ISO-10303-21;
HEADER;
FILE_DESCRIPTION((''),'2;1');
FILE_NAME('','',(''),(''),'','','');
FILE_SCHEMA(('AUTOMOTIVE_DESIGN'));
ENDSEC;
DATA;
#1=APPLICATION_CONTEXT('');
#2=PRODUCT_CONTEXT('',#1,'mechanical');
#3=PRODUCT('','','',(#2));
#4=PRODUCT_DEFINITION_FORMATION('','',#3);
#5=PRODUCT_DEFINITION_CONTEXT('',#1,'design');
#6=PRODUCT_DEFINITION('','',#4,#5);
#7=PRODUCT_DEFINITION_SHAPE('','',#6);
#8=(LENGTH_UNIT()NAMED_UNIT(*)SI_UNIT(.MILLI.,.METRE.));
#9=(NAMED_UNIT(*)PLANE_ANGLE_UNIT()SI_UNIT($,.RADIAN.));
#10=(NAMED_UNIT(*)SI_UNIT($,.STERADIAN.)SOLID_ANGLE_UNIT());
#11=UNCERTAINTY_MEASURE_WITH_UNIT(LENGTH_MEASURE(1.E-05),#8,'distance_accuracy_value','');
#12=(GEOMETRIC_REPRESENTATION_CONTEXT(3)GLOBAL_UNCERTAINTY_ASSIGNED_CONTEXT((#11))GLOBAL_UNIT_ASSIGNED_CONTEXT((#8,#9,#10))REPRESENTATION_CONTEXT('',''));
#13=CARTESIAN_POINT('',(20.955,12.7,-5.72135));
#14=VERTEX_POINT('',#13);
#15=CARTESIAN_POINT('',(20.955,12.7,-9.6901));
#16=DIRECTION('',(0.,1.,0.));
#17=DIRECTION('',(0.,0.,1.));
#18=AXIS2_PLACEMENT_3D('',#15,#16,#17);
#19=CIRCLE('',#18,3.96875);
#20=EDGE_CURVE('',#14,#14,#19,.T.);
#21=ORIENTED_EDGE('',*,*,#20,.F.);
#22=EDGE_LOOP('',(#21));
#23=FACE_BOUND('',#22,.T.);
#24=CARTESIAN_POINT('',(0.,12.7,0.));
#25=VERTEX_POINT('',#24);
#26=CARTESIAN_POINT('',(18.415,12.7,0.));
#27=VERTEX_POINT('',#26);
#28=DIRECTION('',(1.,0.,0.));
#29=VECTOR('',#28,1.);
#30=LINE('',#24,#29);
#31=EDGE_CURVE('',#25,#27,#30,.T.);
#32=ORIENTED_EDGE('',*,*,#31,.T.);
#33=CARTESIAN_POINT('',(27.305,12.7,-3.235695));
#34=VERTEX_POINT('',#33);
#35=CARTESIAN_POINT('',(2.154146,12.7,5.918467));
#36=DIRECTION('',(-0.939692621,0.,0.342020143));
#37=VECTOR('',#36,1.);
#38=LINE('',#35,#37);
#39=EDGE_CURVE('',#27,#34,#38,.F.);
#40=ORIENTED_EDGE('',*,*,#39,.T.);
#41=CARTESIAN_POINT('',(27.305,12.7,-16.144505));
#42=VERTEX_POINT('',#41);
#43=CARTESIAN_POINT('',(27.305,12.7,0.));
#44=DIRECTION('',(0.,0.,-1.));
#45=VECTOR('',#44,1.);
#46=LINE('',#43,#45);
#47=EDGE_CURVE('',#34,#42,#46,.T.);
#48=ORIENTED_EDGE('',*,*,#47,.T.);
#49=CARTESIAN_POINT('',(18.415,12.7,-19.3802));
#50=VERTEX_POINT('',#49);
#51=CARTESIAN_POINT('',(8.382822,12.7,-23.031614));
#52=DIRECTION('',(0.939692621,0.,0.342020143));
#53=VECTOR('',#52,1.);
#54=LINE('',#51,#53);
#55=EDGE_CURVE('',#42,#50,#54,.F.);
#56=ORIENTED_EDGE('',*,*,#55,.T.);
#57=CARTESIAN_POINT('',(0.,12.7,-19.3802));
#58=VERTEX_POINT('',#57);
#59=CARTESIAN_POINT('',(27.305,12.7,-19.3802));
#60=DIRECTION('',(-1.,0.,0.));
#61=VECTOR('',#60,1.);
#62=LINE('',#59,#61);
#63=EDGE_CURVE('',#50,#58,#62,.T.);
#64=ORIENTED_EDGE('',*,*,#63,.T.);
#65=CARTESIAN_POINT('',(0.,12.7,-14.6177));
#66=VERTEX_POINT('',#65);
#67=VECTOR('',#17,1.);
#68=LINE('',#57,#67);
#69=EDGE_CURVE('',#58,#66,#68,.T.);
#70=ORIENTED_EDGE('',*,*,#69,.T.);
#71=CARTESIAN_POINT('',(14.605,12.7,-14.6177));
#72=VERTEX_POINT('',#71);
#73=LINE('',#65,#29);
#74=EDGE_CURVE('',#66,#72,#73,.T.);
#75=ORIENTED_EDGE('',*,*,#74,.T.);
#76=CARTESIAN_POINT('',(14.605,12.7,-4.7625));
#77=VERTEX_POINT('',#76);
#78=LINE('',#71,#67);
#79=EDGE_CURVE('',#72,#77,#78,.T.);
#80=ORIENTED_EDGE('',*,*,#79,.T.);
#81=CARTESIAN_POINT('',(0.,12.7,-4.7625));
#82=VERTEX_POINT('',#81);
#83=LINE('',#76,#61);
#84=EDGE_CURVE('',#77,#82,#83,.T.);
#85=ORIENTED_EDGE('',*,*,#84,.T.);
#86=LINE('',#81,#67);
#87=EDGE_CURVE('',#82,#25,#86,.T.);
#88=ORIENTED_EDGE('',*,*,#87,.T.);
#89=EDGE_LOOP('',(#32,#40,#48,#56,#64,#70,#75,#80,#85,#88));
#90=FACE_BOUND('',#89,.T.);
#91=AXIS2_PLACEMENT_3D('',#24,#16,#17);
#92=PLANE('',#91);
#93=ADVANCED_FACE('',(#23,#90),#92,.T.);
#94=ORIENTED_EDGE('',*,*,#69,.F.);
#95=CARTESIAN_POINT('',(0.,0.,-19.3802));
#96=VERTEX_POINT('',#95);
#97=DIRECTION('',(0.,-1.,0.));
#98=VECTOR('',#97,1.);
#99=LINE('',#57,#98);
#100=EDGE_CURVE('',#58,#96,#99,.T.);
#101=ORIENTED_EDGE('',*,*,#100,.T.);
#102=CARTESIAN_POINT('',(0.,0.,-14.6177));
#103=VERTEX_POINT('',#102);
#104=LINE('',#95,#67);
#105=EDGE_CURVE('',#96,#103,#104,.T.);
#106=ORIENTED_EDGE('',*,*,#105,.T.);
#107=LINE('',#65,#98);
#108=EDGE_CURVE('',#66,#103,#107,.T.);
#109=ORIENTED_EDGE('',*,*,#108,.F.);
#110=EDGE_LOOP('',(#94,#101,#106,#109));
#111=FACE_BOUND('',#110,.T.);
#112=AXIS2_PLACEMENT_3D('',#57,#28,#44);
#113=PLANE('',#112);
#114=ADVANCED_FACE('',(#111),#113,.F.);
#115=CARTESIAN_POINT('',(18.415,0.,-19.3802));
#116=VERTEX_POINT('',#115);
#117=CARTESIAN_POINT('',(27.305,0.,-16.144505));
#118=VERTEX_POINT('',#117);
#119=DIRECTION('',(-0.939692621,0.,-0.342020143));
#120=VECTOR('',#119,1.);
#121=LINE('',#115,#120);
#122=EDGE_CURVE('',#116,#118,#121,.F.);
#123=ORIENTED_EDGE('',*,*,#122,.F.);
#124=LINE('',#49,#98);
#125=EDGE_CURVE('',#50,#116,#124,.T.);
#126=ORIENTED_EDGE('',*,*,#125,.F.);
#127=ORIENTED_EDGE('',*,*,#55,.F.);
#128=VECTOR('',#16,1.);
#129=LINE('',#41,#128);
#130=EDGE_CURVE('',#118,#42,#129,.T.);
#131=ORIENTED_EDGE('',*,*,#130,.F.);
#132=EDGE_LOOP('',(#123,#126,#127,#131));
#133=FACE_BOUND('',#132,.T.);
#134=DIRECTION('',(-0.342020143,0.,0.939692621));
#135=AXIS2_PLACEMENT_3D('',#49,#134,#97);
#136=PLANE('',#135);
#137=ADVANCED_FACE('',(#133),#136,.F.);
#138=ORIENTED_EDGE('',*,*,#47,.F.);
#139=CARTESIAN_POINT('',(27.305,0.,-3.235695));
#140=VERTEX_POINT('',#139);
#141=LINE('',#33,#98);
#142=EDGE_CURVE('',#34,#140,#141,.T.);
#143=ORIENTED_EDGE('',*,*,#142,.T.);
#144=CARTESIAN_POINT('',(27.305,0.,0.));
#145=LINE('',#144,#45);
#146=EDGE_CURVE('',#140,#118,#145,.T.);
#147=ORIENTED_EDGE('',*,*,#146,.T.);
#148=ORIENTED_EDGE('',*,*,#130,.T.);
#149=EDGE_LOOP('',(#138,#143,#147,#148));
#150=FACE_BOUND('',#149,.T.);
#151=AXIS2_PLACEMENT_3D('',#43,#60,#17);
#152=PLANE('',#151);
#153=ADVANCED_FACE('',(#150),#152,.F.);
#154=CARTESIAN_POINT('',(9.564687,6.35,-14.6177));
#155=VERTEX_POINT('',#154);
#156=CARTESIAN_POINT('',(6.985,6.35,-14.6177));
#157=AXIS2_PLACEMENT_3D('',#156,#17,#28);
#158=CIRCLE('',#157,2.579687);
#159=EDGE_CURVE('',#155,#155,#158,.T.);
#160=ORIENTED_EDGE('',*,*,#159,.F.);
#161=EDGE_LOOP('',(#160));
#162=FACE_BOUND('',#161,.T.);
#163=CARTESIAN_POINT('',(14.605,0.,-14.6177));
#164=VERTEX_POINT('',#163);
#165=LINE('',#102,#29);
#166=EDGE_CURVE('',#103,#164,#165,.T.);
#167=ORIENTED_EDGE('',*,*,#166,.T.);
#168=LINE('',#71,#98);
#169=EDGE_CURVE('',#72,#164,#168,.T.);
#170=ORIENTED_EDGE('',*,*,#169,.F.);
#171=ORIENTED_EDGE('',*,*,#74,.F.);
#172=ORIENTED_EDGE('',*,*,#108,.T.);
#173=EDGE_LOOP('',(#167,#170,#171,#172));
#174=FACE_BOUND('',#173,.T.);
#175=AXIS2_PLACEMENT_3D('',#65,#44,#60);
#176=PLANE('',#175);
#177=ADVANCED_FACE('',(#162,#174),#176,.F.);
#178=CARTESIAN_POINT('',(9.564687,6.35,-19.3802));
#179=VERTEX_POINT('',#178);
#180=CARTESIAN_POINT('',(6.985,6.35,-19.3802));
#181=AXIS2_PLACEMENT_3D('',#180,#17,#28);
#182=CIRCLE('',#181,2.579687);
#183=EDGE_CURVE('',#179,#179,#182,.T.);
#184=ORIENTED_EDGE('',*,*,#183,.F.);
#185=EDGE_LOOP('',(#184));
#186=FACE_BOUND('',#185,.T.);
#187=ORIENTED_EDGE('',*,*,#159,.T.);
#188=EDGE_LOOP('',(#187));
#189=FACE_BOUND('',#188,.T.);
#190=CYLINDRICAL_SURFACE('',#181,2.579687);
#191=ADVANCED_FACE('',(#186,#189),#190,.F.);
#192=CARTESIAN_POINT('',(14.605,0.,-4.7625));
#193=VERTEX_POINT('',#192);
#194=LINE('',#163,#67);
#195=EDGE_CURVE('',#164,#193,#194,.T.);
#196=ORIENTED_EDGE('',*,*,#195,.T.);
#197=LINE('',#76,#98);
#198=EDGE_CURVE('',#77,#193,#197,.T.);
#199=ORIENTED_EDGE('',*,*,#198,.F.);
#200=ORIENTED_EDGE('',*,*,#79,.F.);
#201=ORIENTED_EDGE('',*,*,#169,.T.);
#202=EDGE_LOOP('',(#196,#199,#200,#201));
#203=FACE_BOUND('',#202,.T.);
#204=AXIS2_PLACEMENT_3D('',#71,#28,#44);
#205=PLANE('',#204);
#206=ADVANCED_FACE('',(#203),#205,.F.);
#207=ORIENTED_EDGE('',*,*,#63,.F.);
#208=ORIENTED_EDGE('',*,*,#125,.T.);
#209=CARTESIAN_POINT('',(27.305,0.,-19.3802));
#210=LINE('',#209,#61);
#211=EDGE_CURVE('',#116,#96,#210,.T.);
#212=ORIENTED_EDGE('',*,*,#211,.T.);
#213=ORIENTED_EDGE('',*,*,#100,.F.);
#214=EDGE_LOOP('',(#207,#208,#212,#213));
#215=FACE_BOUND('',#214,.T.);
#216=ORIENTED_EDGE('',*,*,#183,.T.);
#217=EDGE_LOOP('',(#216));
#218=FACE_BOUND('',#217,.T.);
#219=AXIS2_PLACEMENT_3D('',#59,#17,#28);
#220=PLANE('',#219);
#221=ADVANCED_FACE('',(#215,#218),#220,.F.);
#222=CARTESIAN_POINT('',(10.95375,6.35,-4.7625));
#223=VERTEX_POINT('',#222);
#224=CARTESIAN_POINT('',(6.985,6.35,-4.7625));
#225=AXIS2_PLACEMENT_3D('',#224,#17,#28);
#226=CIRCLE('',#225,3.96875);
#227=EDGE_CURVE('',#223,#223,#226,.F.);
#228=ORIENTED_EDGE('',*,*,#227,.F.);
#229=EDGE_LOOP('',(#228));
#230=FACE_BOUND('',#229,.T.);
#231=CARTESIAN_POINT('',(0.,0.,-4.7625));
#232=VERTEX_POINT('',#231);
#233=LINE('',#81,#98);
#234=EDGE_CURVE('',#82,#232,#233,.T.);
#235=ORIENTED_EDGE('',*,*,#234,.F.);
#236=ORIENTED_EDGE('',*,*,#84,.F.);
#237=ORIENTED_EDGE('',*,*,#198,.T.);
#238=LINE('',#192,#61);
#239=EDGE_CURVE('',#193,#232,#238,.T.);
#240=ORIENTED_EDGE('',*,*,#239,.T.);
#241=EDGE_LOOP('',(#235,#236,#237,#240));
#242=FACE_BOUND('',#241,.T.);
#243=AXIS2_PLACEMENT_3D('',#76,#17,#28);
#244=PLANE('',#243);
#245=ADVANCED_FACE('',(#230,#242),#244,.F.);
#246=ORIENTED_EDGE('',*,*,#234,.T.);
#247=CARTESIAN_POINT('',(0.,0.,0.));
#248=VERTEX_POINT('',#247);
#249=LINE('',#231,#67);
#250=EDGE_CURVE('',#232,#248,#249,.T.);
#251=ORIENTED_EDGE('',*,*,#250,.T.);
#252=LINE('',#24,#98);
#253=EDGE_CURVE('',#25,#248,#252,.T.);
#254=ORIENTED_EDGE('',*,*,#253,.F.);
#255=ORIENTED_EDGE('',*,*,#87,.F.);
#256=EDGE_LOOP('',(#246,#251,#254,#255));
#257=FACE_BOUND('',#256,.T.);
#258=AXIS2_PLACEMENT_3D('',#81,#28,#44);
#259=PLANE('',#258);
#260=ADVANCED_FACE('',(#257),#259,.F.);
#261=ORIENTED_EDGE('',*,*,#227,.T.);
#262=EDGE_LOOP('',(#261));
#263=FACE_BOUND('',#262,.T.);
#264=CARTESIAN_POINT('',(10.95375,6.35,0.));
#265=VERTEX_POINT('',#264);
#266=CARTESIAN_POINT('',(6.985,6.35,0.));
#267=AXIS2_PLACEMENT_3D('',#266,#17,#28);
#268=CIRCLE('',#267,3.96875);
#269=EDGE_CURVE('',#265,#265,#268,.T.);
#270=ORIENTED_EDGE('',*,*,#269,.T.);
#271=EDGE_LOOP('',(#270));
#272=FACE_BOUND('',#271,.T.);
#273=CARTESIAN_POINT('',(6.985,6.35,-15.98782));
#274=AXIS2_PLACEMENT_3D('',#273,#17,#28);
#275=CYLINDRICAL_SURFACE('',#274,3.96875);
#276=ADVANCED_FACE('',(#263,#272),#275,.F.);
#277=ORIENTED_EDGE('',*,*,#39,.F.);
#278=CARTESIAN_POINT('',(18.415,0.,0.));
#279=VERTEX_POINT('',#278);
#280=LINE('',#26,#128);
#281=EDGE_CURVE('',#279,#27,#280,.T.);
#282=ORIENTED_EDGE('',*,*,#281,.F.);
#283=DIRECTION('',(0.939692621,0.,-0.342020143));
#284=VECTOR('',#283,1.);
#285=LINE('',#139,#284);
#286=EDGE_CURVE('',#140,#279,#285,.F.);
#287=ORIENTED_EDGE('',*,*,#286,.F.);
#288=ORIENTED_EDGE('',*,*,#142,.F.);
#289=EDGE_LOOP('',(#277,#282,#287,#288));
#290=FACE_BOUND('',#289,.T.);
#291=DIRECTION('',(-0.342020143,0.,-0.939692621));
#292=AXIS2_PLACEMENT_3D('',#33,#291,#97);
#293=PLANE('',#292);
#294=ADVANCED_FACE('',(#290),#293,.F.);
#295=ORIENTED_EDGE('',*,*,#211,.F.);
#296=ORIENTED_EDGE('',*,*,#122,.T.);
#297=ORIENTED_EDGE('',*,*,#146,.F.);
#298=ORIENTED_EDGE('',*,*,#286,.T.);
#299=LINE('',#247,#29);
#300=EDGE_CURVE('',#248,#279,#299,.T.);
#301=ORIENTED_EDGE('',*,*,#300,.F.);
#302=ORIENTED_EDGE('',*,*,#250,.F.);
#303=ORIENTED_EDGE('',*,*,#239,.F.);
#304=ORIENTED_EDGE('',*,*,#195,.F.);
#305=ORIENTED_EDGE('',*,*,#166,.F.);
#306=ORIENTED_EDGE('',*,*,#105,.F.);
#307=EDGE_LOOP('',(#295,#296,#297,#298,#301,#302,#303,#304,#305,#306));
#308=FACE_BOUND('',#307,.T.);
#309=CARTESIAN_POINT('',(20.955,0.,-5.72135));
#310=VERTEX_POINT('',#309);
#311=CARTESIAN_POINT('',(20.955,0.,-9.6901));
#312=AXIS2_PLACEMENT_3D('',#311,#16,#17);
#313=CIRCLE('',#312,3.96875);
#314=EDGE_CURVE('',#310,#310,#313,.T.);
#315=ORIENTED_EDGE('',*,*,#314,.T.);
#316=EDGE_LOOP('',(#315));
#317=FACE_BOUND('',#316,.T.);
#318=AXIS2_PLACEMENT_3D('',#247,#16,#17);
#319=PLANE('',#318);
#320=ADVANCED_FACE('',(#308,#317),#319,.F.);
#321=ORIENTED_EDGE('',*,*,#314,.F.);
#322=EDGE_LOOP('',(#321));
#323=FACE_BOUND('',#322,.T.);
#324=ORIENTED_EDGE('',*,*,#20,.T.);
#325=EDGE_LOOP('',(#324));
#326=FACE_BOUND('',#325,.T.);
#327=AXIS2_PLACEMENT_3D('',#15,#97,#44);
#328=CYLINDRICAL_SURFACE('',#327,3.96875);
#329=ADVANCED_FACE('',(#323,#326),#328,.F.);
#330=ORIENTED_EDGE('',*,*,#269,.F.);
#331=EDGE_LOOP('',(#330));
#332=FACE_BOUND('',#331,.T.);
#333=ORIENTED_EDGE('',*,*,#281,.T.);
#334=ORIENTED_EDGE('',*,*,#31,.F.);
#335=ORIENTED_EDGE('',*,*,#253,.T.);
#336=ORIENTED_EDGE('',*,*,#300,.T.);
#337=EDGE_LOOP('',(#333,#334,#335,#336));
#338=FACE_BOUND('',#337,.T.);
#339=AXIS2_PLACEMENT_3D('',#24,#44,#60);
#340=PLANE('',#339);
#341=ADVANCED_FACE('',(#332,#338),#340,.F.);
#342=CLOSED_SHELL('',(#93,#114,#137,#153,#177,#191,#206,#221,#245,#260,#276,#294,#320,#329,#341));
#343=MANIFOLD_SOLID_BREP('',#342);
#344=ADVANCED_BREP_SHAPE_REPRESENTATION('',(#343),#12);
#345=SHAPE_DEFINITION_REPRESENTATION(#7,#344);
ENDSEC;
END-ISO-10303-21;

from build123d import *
from OCP.BRepFilletAPI import BRepFilletAPI_MakeChamfer

# Parameters (mm, degrees)
SKETCH1_R           = 3.96875
BOSS_EXTRUDE1_DEPTH = 12.7
SKETCH2_R           = 3.96875
CUT_EXTRUDE1_DEPTH  = 4.7625
SKETCH3_R           = 2.5796875
CUT_EXTRUDE2_DEPTH  = 34.474321177
CHAMFER1_SIZE       = 8.89
CHAMFER1_SIZE2      = 3.235695383


with BuildPart() as part:
    # Sketch1 → Boss-Extrude1 (new body)
    with BuildSketch(Plane(origin=(0, 0, 0), x_dir=(1, 0, 0), z_dir=(0, 1, 0))):
        Polygon((0, 0), (27.305, 0), (27.305, 19.3802), (0, 19.3802), (0, 14.6177), (14.605, 14.6177), (14.605, 4.7625), (0, 4.7625), align=None)
        with Locations(Location((20.955, 9.6901, 0), (0, 0, 270))):
            Circle(SKETCH1_R, mode=Mode.SUBTRACT)
    extrude(amount=BOSS_EXTRUDE1_DEPTH)

    # Sketch2 → Cut-Extrude1 (cut)
    with BuildSketch(Plane.XY):
        with Locations((6.985, 6.35)):
            Circle(SKETCH2_R)
    extrude(amount=-CUT_EXTRUDE1_DEPTH, mode=Mode.SUBTRACT)

    # Sketch3 → Cut-Extrude2 (cut, through all)
    with BuildSketch(Plane.XY.offset(-14.6177)):
        with Locations((6.985, 6.35)):
            Circle(SKETCH3_R)
    extrude(amount=-CUT_EXTRUDE2_DEPTH, mode=Mode.SUBTRACT)

    # Chamfer1: one chamfer whose edges measure the first distance from different faces: ONE call of the kernel's chamfer builder (chamfer() names one face for all edges)
    chamfer1_edges_1 = [part.edges().sort_by_distance(p)[0] for p in [
        (27.305, 6.35, -19.3802),
    ]]
    chamfer1_side_1 = [part.faces().sort_by_distance(p)[0] for p in [
        (14.080266617, 6.35, -19.3802),
    ]]
    chamfer1_edges_2 = [part.edges().sort_by_distance(p)[0] for p in [
        (27.305, 6.35, 0),
    ]]
    chamfer1_side_2 = [part.faces().sort_by_distance(p)[0] for p in [
        (14.762286847, 6.35, 0),
    ]]
    chamfer1 = BRepFilletAPI_MakeChamfer(part.part.solid().wrapped)
    for e in chamfer1_edges_1:
        chamfer1.Add(CHAMFER1_SIZE, CHAMFER1_SIZE2, e.wrapped, chamfer1_side_1[0].wrapped)  # the first distance lies on this face
    for e in chamfer1_edges_2:
        chamfer1.Add(CHAMFER1_SIZE, CHAMFER1_SIZE2, e.wrapped, chamfer1_side_2[0].wrapped)  # the first distance lies on this face
    add(Compound.cast(chamfer1.Shape()), mode=Mode.REPLACE)


solid = part.part
